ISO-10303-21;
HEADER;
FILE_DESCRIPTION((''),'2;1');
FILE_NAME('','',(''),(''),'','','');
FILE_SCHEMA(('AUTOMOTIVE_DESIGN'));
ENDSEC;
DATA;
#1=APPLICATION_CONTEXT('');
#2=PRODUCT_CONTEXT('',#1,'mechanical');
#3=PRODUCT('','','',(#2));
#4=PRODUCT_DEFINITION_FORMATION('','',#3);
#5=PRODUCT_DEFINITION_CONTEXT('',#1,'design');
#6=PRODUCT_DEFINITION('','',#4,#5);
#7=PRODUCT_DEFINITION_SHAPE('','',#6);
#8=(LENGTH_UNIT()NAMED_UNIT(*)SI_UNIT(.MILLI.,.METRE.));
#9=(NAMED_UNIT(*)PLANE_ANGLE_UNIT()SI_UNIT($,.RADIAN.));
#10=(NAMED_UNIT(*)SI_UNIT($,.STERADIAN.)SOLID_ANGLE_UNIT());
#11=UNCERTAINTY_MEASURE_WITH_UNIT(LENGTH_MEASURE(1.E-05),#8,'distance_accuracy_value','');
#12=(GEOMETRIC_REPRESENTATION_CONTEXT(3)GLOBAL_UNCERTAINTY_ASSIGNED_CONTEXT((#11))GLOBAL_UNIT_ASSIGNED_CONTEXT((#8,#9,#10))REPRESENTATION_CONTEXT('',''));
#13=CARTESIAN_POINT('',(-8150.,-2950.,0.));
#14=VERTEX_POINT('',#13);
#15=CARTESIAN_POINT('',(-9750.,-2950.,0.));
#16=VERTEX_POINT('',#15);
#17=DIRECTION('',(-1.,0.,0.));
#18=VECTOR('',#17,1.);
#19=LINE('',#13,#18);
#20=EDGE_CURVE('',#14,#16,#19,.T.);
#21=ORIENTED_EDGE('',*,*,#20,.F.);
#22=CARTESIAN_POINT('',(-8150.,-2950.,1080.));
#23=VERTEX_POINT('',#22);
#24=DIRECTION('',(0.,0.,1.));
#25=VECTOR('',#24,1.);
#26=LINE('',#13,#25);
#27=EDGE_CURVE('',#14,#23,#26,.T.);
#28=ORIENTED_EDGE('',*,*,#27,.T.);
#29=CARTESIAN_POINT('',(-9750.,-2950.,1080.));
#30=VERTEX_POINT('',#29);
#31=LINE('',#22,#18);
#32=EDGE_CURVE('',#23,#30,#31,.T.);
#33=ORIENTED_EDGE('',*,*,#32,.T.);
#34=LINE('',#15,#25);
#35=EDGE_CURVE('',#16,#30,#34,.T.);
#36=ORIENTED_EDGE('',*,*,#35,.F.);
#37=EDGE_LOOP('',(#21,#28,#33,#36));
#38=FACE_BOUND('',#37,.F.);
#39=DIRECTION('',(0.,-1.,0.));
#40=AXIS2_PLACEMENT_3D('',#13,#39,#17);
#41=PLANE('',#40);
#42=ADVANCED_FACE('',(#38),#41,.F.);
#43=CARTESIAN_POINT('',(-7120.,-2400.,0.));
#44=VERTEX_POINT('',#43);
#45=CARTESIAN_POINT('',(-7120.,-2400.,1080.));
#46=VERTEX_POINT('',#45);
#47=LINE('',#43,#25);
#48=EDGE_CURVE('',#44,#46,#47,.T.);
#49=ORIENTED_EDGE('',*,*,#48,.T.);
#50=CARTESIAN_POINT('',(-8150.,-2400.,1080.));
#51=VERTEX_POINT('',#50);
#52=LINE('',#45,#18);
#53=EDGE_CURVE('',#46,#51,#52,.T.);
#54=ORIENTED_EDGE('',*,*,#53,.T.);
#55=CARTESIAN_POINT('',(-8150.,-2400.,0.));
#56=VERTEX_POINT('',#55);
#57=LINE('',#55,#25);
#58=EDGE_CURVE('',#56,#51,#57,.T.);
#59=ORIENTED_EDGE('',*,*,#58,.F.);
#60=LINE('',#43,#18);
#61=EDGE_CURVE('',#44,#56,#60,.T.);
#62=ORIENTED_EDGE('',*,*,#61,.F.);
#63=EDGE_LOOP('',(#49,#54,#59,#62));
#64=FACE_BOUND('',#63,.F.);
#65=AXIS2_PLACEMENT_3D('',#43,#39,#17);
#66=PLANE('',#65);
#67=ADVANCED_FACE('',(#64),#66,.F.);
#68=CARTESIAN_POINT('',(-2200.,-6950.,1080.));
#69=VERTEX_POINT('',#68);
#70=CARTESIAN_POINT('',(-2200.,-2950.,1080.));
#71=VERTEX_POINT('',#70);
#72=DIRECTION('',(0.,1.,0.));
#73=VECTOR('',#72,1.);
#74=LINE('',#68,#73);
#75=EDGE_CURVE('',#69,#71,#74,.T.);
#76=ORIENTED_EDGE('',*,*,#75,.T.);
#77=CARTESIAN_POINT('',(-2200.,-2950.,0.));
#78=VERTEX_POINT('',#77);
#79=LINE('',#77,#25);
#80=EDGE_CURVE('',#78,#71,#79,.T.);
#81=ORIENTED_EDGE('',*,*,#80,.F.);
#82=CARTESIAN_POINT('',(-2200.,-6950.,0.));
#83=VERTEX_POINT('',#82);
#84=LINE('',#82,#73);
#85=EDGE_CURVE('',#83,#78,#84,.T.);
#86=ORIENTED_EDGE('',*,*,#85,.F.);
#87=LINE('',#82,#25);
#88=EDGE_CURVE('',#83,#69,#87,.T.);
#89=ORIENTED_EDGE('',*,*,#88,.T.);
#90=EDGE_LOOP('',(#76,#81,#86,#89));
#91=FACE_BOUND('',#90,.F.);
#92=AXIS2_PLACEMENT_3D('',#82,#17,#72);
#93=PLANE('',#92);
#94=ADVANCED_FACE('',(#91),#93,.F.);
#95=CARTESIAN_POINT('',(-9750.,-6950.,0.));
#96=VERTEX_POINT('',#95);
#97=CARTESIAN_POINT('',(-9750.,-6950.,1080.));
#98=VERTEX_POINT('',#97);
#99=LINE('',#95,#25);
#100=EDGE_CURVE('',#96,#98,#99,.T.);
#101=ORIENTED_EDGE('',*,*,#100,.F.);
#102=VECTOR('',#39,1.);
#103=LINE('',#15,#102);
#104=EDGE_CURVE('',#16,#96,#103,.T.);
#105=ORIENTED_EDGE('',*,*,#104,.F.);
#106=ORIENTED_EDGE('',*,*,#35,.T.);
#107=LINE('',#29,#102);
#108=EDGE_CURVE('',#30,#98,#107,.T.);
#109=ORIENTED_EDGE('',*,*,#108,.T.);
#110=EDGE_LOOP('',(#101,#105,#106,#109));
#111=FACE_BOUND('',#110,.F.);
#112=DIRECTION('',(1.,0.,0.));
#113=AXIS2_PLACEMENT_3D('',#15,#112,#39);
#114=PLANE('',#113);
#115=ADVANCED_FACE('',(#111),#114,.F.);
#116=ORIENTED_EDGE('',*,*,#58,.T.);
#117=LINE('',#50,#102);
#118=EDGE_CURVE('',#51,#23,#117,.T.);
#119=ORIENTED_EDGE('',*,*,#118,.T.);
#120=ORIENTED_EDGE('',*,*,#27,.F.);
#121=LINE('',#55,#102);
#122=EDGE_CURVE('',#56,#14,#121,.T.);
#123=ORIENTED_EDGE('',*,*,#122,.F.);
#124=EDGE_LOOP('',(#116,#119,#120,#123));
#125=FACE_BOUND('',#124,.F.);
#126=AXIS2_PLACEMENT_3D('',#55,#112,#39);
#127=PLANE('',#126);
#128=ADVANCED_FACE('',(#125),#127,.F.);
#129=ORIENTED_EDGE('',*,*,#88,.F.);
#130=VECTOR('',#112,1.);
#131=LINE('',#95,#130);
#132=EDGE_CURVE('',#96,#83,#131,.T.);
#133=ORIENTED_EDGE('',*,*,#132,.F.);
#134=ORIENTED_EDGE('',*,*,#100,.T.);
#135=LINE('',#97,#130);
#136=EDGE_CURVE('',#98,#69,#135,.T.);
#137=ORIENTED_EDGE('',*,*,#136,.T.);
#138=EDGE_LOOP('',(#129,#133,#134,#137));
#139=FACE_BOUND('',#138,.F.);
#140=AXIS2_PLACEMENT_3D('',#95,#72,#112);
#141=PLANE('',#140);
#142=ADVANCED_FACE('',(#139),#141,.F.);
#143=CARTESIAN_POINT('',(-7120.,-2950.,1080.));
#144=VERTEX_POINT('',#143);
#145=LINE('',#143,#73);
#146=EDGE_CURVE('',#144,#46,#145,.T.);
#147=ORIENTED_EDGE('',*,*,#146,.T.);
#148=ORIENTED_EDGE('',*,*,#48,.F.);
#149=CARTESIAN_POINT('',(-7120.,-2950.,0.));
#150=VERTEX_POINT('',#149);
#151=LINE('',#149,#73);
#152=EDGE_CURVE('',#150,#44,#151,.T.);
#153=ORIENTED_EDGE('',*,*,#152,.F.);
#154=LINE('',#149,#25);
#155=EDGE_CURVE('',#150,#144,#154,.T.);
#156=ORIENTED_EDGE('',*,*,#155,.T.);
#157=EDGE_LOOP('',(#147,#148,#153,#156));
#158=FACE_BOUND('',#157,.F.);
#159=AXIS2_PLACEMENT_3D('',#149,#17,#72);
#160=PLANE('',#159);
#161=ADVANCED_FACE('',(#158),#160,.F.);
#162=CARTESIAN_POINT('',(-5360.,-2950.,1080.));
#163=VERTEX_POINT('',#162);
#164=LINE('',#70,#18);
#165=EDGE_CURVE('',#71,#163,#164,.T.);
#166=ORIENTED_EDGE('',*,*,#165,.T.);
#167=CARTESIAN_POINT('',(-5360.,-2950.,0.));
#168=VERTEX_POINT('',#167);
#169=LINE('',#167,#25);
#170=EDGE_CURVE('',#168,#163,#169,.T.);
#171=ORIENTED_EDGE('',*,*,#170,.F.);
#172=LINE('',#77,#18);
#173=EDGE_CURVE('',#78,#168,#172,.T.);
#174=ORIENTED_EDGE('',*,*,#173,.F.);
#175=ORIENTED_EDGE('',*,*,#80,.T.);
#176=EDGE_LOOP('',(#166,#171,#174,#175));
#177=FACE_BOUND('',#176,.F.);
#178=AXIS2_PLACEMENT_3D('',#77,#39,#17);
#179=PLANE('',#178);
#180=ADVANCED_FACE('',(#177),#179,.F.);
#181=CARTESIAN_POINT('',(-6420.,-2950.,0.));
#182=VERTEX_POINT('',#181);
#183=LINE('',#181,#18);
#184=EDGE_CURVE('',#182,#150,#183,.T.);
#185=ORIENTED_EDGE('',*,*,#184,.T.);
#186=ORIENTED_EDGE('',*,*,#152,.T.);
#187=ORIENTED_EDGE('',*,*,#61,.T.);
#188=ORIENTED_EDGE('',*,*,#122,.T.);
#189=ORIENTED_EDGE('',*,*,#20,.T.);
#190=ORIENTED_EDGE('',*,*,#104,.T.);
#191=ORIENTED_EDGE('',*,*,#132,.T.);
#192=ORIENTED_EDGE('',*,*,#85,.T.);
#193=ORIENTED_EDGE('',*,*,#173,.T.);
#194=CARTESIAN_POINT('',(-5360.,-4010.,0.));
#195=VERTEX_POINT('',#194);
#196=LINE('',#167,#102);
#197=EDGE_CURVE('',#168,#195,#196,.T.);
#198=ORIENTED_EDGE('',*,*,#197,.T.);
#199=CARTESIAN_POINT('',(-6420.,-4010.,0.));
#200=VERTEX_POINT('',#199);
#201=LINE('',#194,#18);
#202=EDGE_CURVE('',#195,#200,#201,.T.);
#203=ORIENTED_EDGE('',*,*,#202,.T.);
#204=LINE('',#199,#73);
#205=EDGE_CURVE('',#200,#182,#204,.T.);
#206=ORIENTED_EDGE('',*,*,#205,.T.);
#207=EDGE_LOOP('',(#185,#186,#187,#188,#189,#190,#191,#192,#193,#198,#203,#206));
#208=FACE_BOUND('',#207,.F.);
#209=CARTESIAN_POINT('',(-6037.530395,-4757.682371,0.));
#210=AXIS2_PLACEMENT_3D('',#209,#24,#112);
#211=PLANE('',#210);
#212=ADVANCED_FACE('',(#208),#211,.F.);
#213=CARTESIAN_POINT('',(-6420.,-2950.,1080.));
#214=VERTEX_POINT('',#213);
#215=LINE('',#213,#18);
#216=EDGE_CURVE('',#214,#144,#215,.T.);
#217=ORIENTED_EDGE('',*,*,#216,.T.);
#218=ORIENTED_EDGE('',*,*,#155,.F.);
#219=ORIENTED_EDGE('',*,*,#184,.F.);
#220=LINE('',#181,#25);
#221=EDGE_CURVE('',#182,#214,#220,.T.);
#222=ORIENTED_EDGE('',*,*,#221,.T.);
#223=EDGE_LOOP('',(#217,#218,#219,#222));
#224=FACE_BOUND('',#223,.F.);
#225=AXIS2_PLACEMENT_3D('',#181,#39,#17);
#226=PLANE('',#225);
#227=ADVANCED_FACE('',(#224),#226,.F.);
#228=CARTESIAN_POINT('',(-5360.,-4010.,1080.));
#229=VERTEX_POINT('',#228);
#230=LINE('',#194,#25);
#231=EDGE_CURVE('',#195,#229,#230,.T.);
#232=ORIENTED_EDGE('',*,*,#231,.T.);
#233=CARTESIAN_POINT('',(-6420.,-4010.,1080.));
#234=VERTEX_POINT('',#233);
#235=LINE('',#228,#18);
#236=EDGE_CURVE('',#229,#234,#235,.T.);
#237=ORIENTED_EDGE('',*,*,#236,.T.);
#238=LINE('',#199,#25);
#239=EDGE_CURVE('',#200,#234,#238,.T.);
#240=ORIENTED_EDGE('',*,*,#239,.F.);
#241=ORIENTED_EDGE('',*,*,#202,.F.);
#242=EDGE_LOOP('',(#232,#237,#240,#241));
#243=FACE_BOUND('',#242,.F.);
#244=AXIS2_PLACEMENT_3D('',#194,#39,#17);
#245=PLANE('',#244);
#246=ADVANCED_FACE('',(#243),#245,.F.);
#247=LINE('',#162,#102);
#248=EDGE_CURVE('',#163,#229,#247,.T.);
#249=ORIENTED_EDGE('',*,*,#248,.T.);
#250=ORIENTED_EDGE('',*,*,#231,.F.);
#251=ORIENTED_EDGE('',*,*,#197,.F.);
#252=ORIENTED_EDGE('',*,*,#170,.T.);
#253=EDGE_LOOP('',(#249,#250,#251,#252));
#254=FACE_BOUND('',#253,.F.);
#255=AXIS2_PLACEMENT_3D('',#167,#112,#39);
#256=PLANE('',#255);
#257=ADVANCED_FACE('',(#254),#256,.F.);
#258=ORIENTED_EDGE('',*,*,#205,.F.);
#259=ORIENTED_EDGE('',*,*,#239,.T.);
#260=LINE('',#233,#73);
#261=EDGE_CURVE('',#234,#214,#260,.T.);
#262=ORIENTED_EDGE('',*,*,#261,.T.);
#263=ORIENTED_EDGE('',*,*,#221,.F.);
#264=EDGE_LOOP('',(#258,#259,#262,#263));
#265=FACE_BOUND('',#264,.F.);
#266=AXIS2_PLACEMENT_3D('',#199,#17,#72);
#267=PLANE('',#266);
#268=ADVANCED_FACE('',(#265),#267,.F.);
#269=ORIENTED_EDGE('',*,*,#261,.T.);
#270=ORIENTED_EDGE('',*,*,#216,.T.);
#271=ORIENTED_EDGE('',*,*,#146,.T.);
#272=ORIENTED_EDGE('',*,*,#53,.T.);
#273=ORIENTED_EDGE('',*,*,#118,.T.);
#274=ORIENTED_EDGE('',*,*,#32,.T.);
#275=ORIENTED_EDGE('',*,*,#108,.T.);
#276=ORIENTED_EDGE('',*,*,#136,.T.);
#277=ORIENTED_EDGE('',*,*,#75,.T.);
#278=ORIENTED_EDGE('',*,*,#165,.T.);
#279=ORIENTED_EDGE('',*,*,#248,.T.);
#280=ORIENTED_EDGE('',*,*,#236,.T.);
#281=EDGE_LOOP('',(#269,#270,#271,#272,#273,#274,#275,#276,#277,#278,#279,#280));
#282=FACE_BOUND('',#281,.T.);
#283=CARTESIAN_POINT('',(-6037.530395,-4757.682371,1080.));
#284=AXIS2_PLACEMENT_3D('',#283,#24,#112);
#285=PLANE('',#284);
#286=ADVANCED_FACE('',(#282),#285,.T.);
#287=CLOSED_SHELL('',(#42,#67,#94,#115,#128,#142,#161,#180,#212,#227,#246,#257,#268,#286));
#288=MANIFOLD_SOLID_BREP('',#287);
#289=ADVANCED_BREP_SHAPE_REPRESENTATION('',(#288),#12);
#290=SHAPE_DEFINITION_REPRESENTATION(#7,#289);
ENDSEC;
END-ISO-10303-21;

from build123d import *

# Parameters (mm, degrees)
F2_DEPTH = 1080


with BuildPart() as f2:
    # F0 (on Top) → F2 (new body, through all)
    with BuildSketch(Plane.XY):
        Polygon((-8150, -2950), (-9750, -2950), (-9750, -6950), (-2200, -6950), (-2200, -2950), (-5360, -2950), (-5360, -4010), (-6420, -4010), (-6420, -2950), (-7120, -2950), (-7120, -2400), (-8150, -2400), align=None)
    extrude(amount=F2_DEPTH)


solid = f2.part
